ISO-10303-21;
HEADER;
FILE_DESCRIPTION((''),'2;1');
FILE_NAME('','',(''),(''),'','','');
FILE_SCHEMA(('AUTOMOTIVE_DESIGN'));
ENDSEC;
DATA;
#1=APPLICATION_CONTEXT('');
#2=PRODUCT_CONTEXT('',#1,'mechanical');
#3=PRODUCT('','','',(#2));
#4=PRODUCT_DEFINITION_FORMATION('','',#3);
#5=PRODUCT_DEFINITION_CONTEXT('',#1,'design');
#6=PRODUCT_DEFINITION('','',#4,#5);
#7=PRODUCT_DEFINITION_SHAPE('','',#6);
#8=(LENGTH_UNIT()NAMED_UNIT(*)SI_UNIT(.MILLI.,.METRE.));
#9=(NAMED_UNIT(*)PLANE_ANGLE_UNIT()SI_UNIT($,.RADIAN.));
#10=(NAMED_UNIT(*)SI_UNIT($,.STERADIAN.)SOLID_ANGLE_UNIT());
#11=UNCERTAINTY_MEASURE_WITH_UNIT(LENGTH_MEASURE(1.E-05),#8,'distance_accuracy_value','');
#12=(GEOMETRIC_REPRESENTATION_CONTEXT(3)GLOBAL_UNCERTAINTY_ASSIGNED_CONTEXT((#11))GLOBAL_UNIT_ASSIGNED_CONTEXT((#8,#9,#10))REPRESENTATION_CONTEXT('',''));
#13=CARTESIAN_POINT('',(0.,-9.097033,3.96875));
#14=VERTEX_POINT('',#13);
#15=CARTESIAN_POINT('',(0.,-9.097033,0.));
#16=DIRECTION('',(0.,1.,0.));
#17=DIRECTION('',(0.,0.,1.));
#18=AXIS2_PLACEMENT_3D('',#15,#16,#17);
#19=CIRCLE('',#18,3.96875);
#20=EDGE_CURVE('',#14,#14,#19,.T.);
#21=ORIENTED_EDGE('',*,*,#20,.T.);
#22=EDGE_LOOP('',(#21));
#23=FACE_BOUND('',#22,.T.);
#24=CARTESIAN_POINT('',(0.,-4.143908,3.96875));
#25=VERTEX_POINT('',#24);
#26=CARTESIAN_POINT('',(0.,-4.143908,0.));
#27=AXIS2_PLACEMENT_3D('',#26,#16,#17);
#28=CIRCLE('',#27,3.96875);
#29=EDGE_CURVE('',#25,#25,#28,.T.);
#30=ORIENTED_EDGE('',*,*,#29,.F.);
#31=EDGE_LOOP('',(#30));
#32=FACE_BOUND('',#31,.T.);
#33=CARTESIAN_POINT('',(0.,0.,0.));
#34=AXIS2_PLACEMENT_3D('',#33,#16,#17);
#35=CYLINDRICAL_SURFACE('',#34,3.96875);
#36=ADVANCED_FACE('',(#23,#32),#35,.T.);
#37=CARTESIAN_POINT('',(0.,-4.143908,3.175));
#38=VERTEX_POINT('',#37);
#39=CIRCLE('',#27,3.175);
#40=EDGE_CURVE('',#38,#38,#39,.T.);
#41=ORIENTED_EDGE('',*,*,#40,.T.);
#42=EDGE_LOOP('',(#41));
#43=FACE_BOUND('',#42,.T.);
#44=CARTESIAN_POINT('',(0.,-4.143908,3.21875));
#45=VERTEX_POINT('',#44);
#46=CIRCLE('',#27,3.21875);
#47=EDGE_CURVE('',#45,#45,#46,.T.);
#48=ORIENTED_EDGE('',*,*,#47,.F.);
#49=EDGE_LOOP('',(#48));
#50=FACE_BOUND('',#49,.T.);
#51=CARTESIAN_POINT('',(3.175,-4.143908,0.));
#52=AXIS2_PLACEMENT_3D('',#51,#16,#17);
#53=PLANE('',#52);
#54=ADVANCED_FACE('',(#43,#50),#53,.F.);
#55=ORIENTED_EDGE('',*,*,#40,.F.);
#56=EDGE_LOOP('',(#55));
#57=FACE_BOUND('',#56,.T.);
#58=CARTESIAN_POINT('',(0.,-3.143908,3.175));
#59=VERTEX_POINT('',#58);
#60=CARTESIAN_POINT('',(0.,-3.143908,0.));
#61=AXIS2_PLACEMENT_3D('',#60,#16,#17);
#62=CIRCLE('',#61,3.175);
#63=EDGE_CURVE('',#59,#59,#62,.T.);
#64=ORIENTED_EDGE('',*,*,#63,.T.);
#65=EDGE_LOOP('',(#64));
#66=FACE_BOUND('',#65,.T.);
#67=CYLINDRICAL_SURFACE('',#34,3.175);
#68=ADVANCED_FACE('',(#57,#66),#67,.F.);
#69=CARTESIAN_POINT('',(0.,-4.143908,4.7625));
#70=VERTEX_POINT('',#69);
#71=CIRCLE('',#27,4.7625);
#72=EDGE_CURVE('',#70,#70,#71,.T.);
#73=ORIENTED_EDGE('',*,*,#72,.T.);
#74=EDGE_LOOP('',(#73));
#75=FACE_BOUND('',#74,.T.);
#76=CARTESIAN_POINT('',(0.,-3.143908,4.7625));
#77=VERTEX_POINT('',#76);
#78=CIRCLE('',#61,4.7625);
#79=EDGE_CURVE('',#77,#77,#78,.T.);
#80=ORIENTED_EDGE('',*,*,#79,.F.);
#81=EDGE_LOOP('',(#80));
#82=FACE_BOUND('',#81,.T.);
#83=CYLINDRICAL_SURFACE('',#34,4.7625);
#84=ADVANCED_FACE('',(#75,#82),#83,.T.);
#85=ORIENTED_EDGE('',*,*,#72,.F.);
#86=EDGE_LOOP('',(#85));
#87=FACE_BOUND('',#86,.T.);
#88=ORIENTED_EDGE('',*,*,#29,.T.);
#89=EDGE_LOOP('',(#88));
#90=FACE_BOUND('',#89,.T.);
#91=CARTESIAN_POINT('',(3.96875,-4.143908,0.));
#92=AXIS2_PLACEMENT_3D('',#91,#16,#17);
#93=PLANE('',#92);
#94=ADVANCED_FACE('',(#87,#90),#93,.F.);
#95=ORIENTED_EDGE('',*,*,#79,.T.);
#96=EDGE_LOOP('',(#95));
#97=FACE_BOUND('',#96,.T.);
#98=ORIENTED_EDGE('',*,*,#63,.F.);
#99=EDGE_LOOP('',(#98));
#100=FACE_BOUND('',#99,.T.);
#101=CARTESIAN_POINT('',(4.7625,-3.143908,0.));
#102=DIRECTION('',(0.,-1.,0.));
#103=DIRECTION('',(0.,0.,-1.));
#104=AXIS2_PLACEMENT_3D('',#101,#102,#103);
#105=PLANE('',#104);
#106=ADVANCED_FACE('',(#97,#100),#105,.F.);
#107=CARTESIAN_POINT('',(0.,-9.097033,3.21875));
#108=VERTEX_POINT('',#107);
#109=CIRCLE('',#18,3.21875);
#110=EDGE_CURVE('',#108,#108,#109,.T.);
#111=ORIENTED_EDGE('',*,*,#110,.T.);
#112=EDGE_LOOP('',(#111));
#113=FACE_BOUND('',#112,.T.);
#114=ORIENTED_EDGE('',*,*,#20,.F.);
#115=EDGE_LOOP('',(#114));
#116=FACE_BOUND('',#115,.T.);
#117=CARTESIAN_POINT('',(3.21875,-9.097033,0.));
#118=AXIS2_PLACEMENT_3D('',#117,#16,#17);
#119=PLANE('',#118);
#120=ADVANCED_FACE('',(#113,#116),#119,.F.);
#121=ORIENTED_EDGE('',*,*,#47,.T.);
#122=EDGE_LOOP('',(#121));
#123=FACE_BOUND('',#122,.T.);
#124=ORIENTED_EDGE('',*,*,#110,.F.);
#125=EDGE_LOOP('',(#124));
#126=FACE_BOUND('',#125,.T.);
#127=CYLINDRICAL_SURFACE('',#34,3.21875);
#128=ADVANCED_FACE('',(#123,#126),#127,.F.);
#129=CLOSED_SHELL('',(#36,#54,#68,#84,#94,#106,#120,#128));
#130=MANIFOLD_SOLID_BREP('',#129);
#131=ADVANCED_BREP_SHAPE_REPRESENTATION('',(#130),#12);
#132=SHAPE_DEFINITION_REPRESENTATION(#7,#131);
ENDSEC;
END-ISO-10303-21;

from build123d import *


with BuildPart() as part:
    # Sketch1 → Revolve1 (revolve)
    with BuildSketch(Plane.XY, mode=Mode.PRIVATE) as revolve1_sk:
        Polygon((3.175, -3.143907579), (3.175, -4.143907579), (3.21875, -4.143907579), (3.21875, -9.097032579), (3.96875, -9.097032579), (3.96875, -4.143907579), (4.7625, -4.143907579), (4.7625, -3.143907579), align=None)
    revolve(revolve1_sk.sketch.rotate(Axis((0, 0, 0), (0, -1, 0)), 90), axis=Axis((0, 0, 0), (0, -1, 0)))


solid = part.part
